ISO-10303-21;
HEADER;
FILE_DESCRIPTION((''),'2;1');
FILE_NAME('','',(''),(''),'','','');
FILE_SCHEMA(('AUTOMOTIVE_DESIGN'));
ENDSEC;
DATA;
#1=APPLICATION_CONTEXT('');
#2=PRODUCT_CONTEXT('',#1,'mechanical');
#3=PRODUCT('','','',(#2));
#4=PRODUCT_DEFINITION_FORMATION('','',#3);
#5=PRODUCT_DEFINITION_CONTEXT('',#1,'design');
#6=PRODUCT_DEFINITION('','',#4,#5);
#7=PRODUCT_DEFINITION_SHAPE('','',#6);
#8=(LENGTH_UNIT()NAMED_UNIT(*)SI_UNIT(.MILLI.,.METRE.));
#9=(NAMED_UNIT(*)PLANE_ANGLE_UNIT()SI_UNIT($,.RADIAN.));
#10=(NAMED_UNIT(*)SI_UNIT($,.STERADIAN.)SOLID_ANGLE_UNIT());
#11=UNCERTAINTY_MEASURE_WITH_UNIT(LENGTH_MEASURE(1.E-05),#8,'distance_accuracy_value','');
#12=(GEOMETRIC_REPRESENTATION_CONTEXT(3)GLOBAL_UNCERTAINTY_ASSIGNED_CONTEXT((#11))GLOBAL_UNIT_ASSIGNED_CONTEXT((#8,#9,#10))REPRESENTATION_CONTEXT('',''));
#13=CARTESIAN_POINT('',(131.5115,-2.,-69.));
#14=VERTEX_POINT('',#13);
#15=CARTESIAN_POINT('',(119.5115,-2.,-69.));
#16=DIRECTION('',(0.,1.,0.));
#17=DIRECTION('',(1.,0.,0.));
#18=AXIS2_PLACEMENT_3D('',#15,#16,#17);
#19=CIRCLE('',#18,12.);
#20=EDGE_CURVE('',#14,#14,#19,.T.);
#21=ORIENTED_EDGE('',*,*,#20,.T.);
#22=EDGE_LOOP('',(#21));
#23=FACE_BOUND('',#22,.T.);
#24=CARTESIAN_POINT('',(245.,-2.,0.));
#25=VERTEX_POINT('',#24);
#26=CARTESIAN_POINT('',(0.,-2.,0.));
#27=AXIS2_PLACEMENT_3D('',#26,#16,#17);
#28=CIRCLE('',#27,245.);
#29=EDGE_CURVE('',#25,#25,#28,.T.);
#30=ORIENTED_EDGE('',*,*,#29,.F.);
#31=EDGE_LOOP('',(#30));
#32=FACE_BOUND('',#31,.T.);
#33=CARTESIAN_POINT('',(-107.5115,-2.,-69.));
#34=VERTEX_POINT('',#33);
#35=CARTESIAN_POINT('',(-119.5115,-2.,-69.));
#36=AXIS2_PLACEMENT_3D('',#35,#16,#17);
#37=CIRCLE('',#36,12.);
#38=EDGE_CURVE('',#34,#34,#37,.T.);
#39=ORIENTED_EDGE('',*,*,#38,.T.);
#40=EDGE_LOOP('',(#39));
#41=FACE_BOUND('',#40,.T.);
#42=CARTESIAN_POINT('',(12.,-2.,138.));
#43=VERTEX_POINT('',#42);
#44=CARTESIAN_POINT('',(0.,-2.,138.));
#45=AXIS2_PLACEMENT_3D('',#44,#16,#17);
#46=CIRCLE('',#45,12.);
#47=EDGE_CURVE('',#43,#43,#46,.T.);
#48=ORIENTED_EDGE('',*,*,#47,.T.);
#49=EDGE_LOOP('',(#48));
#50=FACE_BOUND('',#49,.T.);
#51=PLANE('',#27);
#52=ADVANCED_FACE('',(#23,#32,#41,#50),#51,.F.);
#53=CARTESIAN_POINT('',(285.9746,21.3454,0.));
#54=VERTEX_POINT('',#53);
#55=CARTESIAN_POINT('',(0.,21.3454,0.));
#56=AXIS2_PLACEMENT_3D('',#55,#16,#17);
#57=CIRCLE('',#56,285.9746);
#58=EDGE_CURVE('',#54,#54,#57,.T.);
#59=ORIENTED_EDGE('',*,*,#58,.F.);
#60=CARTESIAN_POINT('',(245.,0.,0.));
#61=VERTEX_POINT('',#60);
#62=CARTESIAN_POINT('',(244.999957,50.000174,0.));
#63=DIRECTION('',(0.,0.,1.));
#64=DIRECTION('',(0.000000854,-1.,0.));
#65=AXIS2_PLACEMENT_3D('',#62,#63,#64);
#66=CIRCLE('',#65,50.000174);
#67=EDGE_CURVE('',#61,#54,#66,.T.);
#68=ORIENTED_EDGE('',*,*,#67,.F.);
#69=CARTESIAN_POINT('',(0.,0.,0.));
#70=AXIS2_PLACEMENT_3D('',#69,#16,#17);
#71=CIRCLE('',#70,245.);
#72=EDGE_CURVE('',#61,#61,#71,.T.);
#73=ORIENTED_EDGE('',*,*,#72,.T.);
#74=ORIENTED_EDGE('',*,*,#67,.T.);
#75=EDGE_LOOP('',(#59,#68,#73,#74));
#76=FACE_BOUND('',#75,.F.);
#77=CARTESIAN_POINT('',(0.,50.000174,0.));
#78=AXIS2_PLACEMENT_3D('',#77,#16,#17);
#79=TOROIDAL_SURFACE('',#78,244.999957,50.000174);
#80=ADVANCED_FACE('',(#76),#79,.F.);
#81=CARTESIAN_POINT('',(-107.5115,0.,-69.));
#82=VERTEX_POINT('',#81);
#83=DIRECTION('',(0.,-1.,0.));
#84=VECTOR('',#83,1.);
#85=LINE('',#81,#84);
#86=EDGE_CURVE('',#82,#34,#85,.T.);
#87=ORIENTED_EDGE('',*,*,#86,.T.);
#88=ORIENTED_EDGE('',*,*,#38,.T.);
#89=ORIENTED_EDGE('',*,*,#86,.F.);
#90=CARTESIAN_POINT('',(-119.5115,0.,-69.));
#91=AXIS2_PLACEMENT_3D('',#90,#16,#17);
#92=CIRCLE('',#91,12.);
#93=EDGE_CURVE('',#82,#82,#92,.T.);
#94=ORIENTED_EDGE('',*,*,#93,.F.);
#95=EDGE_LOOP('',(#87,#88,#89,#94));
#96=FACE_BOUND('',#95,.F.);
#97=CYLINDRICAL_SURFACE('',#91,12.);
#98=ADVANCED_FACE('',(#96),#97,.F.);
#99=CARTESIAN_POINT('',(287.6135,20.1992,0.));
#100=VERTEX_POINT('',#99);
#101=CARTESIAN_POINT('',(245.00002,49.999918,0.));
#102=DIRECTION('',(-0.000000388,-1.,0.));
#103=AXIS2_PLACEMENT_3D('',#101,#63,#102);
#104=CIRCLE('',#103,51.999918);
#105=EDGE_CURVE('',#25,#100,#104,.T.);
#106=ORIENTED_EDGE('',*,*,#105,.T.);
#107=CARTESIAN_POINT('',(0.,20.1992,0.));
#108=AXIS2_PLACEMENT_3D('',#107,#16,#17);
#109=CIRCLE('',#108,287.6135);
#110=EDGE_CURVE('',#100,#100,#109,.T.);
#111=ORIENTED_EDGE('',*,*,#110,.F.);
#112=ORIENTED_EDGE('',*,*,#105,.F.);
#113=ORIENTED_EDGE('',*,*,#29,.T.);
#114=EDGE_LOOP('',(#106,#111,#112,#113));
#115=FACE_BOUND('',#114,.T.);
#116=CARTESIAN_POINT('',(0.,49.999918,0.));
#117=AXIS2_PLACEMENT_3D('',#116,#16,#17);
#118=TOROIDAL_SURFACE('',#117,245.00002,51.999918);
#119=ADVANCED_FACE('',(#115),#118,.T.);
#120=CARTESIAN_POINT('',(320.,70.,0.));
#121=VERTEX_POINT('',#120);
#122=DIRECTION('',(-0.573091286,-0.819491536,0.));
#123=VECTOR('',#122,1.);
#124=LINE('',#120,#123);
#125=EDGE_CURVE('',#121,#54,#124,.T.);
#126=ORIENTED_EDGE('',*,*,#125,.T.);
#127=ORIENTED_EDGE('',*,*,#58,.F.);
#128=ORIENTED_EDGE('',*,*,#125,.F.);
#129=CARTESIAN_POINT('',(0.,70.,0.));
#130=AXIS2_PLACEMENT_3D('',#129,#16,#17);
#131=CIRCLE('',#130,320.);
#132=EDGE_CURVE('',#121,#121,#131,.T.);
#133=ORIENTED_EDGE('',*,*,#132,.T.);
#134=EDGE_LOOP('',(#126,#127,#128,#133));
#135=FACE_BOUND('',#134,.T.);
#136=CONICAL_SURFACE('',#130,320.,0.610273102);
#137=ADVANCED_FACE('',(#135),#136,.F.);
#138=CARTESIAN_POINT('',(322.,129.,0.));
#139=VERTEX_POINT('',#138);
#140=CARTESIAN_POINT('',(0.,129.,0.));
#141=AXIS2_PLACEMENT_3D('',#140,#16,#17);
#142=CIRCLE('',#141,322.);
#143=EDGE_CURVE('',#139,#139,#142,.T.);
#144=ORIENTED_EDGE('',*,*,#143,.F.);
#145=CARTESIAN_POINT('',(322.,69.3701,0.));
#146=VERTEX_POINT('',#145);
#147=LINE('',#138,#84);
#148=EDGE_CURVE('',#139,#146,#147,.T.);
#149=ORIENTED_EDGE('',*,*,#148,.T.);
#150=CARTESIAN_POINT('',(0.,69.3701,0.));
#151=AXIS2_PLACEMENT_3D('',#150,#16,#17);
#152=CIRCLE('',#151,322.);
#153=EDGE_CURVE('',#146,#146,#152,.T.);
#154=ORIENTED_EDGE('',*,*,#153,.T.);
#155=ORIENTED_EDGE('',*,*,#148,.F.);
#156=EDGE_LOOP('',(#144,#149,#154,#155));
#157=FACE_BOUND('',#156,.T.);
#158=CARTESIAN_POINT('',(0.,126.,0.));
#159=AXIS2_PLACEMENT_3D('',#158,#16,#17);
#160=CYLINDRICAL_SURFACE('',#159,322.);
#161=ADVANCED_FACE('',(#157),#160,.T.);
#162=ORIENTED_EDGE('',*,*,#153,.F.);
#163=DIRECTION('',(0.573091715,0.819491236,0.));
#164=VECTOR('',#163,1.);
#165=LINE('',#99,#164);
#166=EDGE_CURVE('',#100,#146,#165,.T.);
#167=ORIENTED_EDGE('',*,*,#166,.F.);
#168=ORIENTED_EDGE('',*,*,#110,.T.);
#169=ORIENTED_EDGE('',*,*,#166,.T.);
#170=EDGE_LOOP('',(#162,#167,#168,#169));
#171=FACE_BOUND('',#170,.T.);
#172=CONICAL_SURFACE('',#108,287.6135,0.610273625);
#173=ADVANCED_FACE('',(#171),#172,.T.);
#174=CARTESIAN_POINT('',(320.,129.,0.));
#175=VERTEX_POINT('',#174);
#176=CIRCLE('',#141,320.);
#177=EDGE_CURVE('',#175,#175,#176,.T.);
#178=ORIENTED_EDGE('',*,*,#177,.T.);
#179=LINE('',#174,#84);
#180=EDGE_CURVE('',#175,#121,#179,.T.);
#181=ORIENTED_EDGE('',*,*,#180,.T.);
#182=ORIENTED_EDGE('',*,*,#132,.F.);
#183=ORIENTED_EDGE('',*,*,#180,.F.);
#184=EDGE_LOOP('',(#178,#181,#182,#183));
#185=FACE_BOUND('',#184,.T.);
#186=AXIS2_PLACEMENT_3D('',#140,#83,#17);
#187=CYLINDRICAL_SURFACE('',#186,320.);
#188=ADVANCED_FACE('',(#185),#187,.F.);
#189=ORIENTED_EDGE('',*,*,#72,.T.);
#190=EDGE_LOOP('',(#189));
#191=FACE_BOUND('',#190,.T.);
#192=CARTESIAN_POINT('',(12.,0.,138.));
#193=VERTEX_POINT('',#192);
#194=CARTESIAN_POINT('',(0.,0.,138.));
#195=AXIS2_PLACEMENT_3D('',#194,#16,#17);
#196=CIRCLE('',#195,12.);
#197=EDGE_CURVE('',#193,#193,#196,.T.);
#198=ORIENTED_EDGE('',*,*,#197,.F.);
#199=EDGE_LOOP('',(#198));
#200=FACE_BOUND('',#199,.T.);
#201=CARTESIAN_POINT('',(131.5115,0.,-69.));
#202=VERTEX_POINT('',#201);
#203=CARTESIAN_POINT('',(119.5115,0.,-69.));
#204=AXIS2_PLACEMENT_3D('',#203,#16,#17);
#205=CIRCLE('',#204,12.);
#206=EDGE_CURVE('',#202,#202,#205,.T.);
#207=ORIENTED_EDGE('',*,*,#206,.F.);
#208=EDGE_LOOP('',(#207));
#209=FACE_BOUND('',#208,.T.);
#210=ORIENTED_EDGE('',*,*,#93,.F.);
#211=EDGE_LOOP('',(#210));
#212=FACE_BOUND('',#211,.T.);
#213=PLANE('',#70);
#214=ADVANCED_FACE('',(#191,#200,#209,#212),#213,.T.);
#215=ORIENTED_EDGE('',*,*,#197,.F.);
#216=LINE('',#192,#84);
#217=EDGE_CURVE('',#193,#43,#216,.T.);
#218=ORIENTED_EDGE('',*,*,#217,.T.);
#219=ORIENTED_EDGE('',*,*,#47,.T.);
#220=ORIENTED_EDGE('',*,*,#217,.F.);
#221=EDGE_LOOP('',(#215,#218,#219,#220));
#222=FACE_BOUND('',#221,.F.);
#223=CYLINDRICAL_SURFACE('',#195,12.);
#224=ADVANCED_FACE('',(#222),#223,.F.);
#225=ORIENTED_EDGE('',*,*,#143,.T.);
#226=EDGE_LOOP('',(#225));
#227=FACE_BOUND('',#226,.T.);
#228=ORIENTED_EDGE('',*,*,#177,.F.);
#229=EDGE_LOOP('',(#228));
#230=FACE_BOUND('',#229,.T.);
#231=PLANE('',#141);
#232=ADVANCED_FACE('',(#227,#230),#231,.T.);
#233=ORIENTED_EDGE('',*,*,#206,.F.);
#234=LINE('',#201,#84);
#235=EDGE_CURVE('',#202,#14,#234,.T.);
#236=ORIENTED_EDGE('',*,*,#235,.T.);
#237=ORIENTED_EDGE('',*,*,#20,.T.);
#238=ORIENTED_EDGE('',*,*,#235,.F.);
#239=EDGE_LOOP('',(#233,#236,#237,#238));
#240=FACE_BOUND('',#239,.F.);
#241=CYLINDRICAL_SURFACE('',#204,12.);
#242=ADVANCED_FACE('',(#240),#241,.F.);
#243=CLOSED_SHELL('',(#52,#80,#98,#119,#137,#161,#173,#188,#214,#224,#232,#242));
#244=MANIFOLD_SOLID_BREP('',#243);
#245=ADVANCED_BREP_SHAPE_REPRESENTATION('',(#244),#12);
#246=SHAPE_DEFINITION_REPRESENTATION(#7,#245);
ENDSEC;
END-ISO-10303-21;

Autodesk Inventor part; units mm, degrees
ref_plane "YZ Plane" through (0, 0, 0) normal (1, 0, 0) x (0, 1, 0)
ref_plane "XZ Plane" through (0, 0, 0) normal (0, 1, 0) x (-1, 0, 0)
ref_plane "XY Plane" through (0, 0, 0) normal (0, 0, 1) x (1, 0, 0)
sketch "Sketch1" plane through (0, 0, 0) normal (0, 0, 1) x (1, 0, 0)
  line L0 (320, 126) -> (320, 70)
  line L1 (320, 70) -> (285.9746, 21.3454)
  arc A0 (245, 0) -> (285.9746, 21.3454) centre (245, 50) ccw
  line L2 (245, 0) -> (0, 0)
  line L3 (320, 129) -> (320, 126)
  line L4 (0, -2) -> (245, -2)
  arc A1 (245, -2) -> (287.6135, 20.1992) centre (245, 50) ccw
  line L5 (287.6135, 20.1992) -> (322, 69.3701)
  line L6 (322, 69.3701) -> (322, 126)
  line L7 (322, 126) -> (322, 129)
  line L8 (322, 129) -> (320, 129)
  line L9 (0, -25.8) -> (0, 154.8) construction
  line L10 (0, 0) -> (0, -2)
  point P0 (0, 0)
  dimension "d0" = 2
  dimension "d1" = 30.4542
revolve "Revolution1" add sketch "Sketch1" angle 360 about axis through (0, -25.8, 0) along (0, 1, 0)
sketch "Sketch2" plane through (0, 0, 0) normal (0, 1, 0) x (1, 0, 0)
  circle A0 centre (0, -138) radius 12 projected
  circle A1 centre (119.5115, 69) radius 12 projected
  circle A2 centre (-119.5115, 69) radius 12 projected
  point P0 (0, 0)
extrude "Extrusion1" cut sketch "Sketch2" against normal through all
properties part number "coating"
